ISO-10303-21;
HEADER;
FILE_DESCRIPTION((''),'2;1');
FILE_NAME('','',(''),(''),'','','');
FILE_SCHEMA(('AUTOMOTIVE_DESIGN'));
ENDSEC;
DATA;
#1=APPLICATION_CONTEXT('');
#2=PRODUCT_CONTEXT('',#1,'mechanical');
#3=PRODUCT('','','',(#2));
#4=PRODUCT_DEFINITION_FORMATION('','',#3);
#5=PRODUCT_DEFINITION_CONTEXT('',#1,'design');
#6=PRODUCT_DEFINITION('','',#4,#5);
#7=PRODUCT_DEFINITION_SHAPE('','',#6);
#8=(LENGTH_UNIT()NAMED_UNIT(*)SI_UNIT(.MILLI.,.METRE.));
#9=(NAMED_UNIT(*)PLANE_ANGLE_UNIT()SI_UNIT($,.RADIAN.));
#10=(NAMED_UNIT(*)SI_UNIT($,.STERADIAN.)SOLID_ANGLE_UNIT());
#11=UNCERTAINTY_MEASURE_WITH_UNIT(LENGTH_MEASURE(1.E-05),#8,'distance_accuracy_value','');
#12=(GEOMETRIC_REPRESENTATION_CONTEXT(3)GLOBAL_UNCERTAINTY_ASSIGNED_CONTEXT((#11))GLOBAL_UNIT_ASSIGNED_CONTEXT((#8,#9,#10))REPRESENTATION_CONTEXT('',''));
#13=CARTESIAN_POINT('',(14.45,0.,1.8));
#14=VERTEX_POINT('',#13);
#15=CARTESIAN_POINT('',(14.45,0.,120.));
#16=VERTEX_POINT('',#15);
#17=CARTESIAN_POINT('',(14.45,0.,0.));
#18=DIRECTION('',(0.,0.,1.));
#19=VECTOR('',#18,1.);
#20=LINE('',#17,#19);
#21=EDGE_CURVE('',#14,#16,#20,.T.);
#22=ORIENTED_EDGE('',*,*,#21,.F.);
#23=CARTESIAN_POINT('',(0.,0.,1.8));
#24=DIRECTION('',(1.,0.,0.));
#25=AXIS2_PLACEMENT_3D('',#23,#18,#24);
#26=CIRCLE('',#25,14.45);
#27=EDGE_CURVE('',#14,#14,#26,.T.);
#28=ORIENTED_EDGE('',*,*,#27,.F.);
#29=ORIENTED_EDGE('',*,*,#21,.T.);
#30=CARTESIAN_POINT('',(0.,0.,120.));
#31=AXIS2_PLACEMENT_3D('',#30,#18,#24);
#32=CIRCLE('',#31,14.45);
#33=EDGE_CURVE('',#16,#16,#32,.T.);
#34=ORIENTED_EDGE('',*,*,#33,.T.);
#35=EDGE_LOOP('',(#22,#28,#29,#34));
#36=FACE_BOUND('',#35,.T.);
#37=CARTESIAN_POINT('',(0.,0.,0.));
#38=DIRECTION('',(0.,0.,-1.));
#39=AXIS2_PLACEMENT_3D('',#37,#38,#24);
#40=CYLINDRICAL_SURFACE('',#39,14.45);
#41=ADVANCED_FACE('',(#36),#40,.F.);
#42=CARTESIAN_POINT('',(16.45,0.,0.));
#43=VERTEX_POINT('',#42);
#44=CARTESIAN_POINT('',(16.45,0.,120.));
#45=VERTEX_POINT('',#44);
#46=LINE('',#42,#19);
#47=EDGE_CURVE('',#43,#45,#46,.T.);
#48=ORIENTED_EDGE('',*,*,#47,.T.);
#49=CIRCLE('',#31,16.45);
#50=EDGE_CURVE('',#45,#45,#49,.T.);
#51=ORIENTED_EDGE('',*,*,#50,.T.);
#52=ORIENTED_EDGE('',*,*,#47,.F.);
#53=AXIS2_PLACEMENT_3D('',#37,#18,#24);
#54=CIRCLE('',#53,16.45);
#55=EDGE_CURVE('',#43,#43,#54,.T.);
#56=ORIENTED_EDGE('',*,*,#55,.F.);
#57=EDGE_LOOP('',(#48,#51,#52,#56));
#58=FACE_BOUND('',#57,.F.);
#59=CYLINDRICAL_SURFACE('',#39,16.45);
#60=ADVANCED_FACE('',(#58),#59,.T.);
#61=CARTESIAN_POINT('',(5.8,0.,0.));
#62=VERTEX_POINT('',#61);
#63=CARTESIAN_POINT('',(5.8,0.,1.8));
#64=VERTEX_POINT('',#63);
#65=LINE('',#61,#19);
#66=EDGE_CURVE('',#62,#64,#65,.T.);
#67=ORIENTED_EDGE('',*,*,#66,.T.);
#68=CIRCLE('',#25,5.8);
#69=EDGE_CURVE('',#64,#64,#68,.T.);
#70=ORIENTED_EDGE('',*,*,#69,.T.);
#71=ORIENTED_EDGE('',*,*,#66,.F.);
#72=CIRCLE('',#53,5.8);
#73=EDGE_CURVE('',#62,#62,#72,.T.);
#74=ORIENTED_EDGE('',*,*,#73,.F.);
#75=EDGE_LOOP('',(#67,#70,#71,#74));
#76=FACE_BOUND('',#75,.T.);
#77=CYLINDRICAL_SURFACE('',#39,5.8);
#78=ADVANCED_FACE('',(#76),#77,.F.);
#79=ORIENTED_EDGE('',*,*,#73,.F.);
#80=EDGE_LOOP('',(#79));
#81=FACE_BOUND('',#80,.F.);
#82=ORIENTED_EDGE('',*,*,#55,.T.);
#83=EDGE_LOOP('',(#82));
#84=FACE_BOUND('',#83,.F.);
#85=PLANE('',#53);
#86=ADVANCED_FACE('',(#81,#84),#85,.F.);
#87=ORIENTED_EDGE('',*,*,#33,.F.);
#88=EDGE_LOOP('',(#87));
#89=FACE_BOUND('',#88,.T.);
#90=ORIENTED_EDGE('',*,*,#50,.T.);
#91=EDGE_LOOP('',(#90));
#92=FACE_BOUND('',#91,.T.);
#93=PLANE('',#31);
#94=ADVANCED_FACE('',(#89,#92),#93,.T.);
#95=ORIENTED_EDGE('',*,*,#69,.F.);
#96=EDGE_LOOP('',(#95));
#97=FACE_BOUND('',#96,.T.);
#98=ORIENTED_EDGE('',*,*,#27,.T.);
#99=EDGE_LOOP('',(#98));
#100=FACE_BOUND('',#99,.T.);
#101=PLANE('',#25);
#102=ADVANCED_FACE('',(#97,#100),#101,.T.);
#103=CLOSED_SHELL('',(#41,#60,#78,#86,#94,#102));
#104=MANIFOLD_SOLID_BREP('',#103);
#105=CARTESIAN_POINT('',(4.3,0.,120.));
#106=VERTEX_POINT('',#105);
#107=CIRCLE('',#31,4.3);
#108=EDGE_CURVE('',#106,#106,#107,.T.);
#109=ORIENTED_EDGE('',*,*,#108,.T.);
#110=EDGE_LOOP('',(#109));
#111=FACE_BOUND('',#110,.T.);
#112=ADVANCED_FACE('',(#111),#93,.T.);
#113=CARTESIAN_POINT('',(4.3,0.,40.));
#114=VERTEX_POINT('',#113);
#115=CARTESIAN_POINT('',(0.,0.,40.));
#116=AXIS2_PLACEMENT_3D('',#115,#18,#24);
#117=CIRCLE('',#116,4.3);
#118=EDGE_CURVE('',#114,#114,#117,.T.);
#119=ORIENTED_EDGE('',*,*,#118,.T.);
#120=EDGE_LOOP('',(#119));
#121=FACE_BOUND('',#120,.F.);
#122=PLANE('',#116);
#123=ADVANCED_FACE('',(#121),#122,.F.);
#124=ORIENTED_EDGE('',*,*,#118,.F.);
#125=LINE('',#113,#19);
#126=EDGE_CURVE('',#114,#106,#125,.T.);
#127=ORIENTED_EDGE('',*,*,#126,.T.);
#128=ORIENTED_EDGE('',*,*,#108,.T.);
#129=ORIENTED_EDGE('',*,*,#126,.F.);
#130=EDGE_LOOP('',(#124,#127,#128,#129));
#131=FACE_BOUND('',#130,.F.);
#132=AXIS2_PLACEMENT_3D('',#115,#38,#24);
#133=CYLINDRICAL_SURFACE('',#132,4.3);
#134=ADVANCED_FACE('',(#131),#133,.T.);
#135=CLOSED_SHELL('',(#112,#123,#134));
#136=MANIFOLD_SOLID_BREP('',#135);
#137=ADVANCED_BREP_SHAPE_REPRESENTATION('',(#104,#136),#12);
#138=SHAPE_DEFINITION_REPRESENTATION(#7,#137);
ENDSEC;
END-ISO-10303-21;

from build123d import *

# Parameters (mm, degrees)
F0_R     = 16.45
F0_R_2   = 14.45
F1_DEPTH = 120
F0_R_3   = 5.8
F2_DEPTH = 1.8
F3_START = 40
F0_R_4   = 4.3
F3_DEPTH = 80


with BuildPart() as f1:
    # F0 (on Top) → F1 (new body)
    with BuildSketch(Plane.XY):
        Circle(F0_R)
        Circle(F0_R_2, mode=Mode.SUBTRACT)
    extrude(amount=F1_DEPTH)

    # F0 (on Top) → F2 (join)
    with BuildSketch(Plane.XY):
        Circle(F0_R_2)
        Circle(F0_R_3, mode=Mode.SUBTRACT)
    extrude(amount=F2_DEPTH)


with BuildPart() as f3:
    # F0 (on Top) → F3 (new body)
    with BuildSketch(Plane.XY.offset(F3_START)):
        Circle(F0_R_4)
    extrude(amount=F3_DEPTH)


solid = Compound([f1.part, f3.part])
